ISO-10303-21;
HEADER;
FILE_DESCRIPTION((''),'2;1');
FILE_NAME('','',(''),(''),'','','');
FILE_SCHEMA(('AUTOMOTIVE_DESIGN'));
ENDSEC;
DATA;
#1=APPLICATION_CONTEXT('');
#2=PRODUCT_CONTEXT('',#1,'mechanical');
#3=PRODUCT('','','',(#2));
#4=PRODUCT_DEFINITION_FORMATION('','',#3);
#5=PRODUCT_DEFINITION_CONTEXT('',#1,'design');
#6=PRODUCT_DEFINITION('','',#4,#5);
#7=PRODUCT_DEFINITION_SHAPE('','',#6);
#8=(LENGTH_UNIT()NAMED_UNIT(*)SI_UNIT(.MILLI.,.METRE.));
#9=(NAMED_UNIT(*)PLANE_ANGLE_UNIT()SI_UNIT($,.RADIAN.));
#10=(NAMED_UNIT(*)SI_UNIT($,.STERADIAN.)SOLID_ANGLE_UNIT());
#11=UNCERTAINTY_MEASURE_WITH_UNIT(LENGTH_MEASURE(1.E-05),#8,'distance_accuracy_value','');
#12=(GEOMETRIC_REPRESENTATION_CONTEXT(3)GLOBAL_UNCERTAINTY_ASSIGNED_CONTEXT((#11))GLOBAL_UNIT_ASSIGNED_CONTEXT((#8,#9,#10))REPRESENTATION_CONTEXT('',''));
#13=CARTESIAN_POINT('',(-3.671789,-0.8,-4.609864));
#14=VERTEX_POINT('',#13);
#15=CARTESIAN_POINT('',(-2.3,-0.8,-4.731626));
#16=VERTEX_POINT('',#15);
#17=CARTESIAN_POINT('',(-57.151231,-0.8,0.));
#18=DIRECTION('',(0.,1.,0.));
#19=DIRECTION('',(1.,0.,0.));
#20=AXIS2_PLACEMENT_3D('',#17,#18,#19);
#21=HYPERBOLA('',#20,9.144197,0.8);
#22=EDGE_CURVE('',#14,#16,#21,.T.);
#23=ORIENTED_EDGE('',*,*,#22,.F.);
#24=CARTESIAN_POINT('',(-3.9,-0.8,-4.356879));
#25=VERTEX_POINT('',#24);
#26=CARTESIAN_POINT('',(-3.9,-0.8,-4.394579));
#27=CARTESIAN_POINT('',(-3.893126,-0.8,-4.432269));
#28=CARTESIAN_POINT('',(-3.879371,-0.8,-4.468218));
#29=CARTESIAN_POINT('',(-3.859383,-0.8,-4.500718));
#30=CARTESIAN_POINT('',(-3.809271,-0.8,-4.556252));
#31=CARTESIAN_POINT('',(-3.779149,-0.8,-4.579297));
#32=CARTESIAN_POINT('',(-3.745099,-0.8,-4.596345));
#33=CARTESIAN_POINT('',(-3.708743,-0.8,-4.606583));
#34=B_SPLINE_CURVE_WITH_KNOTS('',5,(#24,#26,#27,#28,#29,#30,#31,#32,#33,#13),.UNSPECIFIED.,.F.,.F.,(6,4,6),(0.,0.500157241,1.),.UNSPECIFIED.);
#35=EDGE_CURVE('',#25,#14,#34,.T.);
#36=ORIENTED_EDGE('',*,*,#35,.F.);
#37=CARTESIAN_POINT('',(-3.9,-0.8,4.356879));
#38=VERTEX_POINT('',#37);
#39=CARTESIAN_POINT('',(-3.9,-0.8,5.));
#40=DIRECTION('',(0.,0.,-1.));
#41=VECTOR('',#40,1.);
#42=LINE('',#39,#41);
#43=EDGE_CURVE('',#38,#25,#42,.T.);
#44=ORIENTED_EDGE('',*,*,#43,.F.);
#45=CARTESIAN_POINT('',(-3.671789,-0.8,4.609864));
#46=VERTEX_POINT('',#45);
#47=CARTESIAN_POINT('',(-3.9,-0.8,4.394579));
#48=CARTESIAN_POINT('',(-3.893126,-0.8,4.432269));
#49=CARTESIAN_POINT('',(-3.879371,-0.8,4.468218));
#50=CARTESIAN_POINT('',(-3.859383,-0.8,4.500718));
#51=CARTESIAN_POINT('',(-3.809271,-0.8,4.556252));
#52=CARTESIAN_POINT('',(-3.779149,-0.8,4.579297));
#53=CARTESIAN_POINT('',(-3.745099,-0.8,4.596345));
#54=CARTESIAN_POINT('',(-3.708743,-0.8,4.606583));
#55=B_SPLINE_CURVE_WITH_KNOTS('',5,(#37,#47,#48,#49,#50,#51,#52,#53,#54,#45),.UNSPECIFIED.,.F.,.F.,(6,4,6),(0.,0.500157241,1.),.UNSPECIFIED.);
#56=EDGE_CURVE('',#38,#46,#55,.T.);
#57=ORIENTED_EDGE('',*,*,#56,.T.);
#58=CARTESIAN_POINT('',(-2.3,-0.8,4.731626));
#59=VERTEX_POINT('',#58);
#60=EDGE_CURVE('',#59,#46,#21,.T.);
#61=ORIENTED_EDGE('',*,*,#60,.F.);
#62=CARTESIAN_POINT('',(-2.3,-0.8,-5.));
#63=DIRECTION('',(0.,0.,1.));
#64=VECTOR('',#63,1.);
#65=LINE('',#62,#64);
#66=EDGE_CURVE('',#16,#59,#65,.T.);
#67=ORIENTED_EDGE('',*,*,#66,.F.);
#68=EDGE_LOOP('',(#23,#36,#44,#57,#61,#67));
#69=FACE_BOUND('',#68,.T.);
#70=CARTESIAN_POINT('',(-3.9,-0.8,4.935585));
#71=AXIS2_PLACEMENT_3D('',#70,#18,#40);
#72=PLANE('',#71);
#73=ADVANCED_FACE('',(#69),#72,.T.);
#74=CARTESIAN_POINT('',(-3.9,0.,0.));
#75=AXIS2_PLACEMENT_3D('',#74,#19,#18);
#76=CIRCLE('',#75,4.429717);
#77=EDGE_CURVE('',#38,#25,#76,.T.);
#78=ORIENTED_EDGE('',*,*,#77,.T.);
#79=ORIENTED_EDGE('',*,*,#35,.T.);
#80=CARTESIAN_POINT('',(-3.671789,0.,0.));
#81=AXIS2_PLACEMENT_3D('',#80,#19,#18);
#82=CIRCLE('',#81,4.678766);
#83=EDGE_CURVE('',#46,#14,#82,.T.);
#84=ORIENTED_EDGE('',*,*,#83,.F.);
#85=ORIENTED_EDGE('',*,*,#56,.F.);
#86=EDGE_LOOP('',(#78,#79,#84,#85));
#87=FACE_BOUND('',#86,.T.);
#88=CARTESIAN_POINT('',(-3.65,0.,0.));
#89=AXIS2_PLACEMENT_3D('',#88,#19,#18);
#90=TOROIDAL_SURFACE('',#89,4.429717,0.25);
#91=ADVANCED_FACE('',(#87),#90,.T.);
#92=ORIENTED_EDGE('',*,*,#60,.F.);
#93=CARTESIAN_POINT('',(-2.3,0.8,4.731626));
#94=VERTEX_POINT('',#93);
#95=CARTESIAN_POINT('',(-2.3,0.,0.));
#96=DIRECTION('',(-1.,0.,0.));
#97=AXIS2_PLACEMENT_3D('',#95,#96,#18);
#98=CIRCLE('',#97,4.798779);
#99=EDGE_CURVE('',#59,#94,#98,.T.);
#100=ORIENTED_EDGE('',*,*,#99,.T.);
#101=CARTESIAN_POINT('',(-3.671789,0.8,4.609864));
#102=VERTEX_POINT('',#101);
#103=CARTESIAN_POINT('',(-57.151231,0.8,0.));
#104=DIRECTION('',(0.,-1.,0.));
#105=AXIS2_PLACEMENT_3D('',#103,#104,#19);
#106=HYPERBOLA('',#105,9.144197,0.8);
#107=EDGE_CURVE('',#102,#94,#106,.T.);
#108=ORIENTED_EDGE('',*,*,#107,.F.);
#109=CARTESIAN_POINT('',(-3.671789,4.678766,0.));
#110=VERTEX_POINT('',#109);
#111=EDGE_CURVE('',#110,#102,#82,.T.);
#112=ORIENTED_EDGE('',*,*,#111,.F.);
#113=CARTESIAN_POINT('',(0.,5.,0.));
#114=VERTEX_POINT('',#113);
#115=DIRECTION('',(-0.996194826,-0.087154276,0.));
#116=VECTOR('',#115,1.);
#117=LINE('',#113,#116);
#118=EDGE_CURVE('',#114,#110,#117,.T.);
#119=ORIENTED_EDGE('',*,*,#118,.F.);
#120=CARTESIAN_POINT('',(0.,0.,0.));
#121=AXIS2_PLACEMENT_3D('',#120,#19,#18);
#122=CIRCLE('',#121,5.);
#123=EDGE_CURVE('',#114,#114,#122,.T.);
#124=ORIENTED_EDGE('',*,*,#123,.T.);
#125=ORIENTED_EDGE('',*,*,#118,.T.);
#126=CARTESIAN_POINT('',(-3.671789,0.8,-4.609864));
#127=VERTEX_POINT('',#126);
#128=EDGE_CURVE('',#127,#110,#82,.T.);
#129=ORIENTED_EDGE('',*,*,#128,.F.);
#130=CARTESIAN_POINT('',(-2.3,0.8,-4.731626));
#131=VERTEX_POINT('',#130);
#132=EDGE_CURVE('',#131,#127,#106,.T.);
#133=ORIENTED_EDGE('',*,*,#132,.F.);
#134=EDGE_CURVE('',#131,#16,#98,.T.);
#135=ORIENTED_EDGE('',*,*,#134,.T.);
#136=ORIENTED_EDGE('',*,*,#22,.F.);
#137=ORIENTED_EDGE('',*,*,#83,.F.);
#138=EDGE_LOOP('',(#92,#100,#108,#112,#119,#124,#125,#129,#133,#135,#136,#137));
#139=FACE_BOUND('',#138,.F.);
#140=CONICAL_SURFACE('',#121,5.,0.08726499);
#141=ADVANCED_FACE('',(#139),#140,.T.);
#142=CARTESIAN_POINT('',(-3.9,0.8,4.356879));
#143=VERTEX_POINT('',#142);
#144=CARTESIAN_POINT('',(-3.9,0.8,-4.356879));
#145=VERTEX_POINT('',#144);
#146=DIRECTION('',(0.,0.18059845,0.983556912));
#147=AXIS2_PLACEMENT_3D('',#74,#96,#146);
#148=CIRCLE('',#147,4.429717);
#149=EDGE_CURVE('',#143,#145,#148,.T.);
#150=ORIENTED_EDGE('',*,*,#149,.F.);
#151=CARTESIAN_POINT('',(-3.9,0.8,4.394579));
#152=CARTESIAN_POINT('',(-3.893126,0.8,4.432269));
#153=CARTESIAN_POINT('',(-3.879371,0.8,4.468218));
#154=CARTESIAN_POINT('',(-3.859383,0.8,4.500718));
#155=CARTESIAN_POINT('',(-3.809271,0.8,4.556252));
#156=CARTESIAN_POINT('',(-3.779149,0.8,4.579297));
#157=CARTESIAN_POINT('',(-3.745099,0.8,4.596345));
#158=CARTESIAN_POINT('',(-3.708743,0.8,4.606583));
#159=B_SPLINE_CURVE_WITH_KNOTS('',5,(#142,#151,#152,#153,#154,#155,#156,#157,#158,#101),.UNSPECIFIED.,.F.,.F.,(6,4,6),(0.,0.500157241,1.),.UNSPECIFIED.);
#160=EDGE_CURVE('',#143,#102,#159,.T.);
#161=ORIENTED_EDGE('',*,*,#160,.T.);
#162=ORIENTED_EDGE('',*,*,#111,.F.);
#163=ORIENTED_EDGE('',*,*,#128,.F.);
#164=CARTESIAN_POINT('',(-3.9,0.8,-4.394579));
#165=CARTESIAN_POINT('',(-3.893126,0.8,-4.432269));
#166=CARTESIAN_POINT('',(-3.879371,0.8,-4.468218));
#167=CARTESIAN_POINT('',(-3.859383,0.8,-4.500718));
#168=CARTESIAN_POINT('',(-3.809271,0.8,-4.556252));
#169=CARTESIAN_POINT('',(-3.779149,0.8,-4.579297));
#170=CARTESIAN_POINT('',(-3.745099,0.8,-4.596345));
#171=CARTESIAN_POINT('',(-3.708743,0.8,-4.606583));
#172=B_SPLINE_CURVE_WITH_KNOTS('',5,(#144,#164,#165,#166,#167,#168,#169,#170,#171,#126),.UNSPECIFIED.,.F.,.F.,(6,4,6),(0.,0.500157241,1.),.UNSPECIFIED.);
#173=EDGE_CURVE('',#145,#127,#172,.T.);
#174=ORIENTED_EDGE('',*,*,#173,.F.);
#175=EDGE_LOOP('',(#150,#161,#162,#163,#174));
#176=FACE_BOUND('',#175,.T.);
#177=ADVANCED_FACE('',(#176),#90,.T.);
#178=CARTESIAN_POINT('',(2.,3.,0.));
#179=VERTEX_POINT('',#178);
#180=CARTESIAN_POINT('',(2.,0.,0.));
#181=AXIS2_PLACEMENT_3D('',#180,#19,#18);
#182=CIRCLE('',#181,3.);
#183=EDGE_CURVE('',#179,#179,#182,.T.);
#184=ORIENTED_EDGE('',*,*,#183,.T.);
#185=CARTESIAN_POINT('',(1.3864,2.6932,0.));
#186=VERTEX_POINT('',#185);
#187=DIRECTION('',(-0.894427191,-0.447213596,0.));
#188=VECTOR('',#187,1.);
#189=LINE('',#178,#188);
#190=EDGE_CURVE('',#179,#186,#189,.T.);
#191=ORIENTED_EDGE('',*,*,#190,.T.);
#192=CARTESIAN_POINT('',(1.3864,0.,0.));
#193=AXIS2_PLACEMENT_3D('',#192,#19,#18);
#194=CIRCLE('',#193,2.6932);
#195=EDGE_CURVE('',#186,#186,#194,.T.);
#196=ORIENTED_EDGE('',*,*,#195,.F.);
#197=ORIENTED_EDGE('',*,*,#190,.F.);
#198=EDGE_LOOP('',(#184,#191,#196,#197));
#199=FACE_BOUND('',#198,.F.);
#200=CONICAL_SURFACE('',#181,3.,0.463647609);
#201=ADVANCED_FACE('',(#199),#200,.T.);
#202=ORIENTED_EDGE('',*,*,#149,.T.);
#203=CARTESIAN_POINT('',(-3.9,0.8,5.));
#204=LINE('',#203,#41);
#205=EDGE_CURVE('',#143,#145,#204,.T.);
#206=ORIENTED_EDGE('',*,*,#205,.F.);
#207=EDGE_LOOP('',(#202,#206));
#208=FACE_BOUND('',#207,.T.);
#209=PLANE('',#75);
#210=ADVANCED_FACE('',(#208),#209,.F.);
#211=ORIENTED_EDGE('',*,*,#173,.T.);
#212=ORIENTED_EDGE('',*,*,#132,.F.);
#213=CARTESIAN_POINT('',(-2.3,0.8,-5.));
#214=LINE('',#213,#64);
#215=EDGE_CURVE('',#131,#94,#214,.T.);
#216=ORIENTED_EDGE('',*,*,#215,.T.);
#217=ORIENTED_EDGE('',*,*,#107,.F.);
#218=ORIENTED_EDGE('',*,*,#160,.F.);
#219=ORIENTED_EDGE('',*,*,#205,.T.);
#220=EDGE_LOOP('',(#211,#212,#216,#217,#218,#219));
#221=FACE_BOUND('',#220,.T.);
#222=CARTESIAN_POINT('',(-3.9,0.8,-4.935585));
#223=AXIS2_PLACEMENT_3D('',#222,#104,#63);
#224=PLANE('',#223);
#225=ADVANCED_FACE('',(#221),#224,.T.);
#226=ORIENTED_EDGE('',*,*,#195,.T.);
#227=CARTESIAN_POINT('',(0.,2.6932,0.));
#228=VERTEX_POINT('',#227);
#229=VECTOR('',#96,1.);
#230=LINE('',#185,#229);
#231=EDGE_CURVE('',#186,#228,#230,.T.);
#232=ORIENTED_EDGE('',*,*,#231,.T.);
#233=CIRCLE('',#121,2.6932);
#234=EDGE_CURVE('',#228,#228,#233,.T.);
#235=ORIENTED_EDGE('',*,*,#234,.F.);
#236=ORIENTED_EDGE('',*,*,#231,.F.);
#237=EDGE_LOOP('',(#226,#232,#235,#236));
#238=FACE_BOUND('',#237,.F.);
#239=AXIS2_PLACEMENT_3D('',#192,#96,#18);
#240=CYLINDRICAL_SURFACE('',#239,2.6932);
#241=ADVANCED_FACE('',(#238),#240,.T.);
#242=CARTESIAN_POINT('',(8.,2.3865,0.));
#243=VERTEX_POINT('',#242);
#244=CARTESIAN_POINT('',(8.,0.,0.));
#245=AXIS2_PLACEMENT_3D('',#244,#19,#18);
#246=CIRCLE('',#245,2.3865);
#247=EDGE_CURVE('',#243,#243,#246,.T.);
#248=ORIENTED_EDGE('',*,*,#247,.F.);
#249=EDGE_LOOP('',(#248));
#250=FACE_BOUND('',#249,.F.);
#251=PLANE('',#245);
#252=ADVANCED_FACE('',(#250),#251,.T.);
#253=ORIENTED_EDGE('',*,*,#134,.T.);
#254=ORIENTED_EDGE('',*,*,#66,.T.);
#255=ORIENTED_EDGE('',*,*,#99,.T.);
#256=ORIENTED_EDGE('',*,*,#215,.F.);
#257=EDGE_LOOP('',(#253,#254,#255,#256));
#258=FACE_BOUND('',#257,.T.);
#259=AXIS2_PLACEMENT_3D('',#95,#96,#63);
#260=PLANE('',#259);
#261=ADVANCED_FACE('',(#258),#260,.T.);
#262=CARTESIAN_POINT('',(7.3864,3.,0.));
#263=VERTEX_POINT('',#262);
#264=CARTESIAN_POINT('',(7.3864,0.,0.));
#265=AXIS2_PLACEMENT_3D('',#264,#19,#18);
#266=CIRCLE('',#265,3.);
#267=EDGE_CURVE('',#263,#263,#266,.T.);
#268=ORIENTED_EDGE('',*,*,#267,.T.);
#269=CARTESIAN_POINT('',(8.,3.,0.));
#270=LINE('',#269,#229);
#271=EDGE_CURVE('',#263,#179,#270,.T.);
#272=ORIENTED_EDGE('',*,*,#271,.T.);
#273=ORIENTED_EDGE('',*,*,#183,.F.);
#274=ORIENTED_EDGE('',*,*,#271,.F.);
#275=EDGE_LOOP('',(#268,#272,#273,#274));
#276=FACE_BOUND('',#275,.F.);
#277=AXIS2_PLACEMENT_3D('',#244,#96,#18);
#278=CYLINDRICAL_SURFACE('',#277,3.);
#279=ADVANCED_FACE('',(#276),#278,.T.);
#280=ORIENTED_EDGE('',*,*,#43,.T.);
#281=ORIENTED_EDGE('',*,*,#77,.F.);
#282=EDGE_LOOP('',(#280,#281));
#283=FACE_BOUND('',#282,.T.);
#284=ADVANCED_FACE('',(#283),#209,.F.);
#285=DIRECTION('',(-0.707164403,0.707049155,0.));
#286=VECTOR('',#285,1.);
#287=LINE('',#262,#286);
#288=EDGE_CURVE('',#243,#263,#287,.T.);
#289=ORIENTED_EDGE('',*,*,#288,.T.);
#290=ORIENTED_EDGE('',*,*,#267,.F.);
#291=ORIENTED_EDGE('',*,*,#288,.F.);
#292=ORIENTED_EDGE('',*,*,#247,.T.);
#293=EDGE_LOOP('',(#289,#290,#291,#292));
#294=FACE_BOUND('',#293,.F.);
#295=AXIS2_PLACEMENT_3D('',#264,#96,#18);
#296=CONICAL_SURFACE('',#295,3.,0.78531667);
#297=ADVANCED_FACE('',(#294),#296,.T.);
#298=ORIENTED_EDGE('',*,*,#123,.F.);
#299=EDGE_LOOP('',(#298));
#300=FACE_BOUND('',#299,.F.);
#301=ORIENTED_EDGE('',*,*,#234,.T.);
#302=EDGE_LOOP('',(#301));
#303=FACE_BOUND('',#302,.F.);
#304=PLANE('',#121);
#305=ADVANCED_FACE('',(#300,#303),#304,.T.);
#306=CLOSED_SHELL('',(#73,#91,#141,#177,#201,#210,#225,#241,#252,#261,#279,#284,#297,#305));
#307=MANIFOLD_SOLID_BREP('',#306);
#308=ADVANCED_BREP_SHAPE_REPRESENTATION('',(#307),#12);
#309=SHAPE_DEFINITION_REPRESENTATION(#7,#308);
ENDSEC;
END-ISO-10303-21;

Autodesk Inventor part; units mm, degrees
ref_plane "YZ Plane" through (0, 0, 0) normal (1, 0, 0) x (0, 1, 0)
ref_plane "XZ Plane" through (0, 0, 0) normal (0, 1, 0) x (-1, 0, 0)
sketch "Skizze1" plane through (0, 0, 0) normal (0, 0, 1) x (1, 0, 0)
  line L0 (-3.9, 0) -> (8, 0)
  line L1 (8, 0) -> (8, 3)
  line L2 (8, 3) -> (2, 3)
  line L3 (2, 3) -> (1.3864, 2.6932)
  line L4 (1.3864, 2.6932) -> (0, 2.6932)
  line L5 (0, 2.6932) -> (0, 5)
  line L6 (-6.28, 0) -> (10.38, 0) projected
  line L7 (0, -1) -> (0, 6) projected
  line L8 (-3.9, 0) -> (-3.9, 4.6588)
  line L9 (0, 5) -> (-3.9, 4.6588)
  line L10 (2, 3) -> (0, 3) construction
  dimension "d0" = 8
  dimension "d1" = 6
  dimension "d2" = 0.6136
  dimension "d3" = 3.9
  dimension "d4" = 6
  dimension "d5" = 5.3865
  dimension "d9" = 10
  dimension "d10" = 5
revolve "Körper" add sketch "Skizze1" angle 360 about axis through (-3.9, 0, 0) along (1, 0, 0)
sketch "Skizze2" plane through (-3.9, 0, 0) normal (-1, 0, 0) x (0, 0, 1)
  circle A0 centre (0, 0) radius 5 projected
  line L0 (0, 0) -> (0, 4.6588) projected
  line L1 (-5, 0.8) -> (5, 0.8)
  line L2 (5, 0.8) -> (5, -0.8)
  line L3 (5, -0.8) -> (-5, -0.8)
  line L4 (-5, -0.8) -> (-5, 0.8)
  line L5 (-5, 0) -> (5, 0) construction
  line L6 (0, 0.8) -> (0, -0.8) construction
  dimension "d11" = 1.6
  dimension "d12" = 10
fillet "Rundung1" radius 0.25 1 edges at (-3.9, -4.6588, 0)
extrude "Loch" cut sketch "Skizze2" against normal blind 1.6 contours A0 L3 L1 | L2 L3 A0 | A0 L1 L2 | A0 L4 L1 | L3 L4 A0
thread "Gewinde" size "M6x1" class "6g" standard "ISO Metric profile" length 6
chamfer "Fase1" distance 0.6135 distance2 0.6136 1 edges at (8, -3, 0) measured on face at (8, -0.7905, 0.0795)
ref_plane "Work Plane1" through (30.1625, 0, 0) normal (0, 0, -1) x (1, 0, 0)
equation "\"d11\" = SBR"
equation "\"d12\" = KOD"
equation "\"d14\" = RR"
equation "\"d19\" = STI"
equation "\"d15\" = GEL"
equation "\"d17\" = -0.5 * SPD + 0.5 * GD"
equation "\"d0\" = NLG"
equation "\"d1\" = GEL"
equation "\"d3\" = KOH"
equation "\"d4\" = GD"
equation "\"d5\" = BDM"
equation "\"d9\" = KOD"
equation "\"d10\" = KEWI"
equation "\"GD\" = NND"
equation "\"NLG\" = 8"
equation "\"GEL\" = 6"
equation "\"KOD\" = 10"
equation "\"KOH\" = 3.9"
equation "\"GAL\" = 0.61345 * PTC"
equation "\"SPD\" = NND - 1.2269 * PTC"
equation "\"BDM\" = 5.3865"
equation "\"GUL\" = 0.61345 * PTC"
equation "\"RR\" = 0.25"
equation "\"SBR\" = 1.6"
equation "\"STI\" = 1.6"
equation "\"KEWI\" = 5deg"
equation "\"PTC\" = 1"
equation "\"THREADDIA\" = 6"
equation "\"TOA\" = 30deg"
equation "\"NND\" = 6"
equation "\"GD1\" = THREADDIA - 1.2269 * PTC"
properties part number "ISO 1207  - M6 x 8" material "Edelstahl, 440C"
